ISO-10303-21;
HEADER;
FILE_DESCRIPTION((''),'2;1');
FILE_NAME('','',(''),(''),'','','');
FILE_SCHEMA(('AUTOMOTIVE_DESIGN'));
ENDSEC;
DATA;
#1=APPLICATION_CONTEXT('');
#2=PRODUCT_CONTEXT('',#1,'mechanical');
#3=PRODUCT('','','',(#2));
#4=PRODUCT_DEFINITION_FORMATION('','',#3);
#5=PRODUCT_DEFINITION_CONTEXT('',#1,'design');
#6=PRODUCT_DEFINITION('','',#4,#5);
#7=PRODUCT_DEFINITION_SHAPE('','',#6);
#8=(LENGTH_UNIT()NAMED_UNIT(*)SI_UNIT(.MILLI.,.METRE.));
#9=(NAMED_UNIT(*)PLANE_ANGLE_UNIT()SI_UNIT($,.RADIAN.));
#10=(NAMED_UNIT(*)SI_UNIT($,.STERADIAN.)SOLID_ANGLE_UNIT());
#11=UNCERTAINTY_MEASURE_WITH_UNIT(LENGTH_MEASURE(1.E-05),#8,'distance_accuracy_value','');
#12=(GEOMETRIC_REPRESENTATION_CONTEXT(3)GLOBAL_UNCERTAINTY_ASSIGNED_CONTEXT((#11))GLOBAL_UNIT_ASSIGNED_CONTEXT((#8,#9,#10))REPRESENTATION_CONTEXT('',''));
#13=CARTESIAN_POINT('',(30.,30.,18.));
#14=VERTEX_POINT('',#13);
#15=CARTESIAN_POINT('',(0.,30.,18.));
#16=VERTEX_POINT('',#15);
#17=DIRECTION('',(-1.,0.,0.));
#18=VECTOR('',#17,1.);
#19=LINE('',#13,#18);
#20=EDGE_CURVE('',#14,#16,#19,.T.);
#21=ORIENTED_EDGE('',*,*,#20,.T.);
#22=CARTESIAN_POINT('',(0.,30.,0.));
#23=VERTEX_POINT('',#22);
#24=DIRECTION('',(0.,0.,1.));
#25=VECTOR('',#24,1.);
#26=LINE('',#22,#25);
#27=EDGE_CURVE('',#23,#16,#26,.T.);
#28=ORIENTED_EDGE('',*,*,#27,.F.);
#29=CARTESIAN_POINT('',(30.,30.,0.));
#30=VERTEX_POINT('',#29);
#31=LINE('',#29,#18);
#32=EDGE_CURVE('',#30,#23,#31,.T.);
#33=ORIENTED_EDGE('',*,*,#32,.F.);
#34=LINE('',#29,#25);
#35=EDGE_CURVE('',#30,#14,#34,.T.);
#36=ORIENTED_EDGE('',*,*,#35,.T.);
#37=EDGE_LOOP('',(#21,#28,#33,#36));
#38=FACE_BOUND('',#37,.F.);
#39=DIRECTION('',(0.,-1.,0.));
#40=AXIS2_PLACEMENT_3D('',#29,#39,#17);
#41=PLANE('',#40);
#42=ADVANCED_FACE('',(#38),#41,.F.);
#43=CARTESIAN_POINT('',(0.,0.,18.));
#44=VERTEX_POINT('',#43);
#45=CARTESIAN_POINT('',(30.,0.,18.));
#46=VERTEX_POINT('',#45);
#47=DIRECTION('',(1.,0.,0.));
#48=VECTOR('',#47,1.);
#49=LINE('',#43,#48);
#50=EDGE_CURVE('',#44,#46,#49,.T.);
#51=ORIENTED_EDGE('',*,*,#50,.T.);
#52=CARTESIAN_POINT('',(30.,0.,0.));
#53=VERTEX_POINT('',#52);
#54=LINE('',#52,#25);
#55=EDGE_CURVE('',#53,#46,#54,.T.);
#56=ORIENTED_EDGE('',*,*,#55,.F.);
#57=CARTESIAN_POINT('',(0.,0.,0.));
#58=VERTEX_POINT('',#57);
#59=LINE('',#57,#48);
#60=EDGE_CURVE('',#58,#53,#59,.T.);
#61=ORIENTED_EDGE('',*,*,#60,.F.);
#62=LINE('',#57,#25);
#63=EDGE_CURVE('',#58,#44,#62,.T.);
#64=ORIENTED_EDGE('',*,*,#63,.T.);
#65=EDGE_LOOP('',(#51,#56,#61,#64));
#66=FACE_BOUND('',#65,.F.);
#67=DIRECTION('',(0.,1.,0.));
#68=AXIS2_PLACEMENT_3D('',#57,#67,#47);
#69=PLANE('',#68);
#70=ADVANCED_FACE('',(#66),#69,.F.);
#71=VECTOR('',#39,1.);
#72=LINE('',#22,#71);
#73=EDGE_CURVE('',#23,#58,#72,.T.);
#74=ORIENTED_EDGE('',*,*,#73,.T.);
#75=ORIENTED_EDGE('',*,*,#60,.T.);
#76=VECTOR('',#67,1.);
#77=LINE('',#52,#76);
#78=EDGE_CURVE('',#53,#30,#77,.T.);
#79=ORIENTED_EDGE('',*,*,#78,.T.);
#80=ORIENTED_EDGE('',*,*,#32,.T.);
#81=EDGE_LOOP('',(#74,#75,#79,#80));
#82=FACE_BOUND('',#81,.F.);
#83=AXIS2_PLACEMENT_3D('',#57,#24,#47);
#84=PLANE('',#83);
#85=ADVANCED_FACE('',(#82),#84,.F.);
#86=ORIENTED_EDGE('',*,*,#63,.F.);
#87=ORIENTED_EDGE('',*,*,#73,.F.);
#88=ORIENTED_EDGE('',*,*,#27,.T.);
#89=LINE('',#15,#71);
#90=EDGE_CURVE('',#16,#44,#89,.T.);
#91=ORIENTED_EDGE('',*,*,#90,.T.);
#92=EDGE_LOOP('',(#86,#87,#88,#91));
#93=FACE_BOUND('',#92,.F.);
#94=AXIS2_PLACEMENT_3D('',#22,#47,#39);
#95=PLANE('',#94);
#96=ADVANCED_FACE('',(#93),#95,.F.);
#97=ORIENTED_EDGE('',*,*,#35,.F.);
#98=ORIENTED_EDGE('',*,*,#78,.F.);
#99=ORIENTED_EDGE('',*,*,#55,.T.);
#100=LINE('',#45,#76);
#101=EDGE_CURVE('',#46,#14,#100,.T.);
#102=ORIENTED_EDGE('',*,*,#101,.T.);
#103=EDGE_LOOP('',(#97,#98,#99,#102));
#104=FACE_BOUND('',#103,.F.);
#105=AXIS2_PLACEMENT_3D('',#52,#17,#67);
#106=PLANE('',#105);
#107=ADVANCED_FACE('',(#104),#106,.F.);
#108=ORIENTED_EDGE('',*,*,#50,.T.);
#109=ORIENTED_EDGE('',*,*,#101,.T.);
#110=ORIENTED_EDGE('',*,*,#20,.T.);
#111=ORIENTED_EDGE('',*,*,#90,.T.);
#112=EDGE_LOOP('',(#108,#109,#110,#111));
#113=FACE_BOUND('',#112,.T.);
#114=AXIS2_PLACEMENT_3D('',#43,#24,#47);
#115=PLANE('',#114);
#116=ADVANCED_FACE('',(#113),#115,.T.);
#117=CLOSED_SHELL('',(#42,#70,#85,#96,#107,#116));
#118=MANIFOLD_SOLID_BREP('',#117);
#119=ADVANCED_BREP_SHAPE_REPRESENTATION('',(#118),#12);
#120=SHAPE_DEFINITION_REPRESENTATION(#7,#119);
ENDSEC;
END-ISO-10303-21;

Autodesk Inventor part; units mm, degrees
ref_plane "YZ Plane" through (0, 0, 0) normal (1, 0, 0) x (0, 1, 0)
ref_plane "XZ Plane" through (0, 0, 0) normal (0, 1, 0) x (-1, 0, 0)
ref_plane "XY Plane" through (0, 0, 0) normal (0, 0, 1) x (1, 0, 0)
sketch "Sketch1" plane through (0, 0, 0) normal (0, 0, 1) x (1, 0, 0)
  line L0 (0, 0) -> (30, 0)
  line L1 (30, 0) -> (30, 30)
  line L2 (30, 30) -> (0, 30)
  line L3 (0, 30) -> (0, 0)
  dimension "d0" = 30
  dimension "d1" = 30
extrude "Extrusion1" add sketch "Sketch1" along normal blind 18
properties part number "Hand - Functional Workspace" material "Glass"
